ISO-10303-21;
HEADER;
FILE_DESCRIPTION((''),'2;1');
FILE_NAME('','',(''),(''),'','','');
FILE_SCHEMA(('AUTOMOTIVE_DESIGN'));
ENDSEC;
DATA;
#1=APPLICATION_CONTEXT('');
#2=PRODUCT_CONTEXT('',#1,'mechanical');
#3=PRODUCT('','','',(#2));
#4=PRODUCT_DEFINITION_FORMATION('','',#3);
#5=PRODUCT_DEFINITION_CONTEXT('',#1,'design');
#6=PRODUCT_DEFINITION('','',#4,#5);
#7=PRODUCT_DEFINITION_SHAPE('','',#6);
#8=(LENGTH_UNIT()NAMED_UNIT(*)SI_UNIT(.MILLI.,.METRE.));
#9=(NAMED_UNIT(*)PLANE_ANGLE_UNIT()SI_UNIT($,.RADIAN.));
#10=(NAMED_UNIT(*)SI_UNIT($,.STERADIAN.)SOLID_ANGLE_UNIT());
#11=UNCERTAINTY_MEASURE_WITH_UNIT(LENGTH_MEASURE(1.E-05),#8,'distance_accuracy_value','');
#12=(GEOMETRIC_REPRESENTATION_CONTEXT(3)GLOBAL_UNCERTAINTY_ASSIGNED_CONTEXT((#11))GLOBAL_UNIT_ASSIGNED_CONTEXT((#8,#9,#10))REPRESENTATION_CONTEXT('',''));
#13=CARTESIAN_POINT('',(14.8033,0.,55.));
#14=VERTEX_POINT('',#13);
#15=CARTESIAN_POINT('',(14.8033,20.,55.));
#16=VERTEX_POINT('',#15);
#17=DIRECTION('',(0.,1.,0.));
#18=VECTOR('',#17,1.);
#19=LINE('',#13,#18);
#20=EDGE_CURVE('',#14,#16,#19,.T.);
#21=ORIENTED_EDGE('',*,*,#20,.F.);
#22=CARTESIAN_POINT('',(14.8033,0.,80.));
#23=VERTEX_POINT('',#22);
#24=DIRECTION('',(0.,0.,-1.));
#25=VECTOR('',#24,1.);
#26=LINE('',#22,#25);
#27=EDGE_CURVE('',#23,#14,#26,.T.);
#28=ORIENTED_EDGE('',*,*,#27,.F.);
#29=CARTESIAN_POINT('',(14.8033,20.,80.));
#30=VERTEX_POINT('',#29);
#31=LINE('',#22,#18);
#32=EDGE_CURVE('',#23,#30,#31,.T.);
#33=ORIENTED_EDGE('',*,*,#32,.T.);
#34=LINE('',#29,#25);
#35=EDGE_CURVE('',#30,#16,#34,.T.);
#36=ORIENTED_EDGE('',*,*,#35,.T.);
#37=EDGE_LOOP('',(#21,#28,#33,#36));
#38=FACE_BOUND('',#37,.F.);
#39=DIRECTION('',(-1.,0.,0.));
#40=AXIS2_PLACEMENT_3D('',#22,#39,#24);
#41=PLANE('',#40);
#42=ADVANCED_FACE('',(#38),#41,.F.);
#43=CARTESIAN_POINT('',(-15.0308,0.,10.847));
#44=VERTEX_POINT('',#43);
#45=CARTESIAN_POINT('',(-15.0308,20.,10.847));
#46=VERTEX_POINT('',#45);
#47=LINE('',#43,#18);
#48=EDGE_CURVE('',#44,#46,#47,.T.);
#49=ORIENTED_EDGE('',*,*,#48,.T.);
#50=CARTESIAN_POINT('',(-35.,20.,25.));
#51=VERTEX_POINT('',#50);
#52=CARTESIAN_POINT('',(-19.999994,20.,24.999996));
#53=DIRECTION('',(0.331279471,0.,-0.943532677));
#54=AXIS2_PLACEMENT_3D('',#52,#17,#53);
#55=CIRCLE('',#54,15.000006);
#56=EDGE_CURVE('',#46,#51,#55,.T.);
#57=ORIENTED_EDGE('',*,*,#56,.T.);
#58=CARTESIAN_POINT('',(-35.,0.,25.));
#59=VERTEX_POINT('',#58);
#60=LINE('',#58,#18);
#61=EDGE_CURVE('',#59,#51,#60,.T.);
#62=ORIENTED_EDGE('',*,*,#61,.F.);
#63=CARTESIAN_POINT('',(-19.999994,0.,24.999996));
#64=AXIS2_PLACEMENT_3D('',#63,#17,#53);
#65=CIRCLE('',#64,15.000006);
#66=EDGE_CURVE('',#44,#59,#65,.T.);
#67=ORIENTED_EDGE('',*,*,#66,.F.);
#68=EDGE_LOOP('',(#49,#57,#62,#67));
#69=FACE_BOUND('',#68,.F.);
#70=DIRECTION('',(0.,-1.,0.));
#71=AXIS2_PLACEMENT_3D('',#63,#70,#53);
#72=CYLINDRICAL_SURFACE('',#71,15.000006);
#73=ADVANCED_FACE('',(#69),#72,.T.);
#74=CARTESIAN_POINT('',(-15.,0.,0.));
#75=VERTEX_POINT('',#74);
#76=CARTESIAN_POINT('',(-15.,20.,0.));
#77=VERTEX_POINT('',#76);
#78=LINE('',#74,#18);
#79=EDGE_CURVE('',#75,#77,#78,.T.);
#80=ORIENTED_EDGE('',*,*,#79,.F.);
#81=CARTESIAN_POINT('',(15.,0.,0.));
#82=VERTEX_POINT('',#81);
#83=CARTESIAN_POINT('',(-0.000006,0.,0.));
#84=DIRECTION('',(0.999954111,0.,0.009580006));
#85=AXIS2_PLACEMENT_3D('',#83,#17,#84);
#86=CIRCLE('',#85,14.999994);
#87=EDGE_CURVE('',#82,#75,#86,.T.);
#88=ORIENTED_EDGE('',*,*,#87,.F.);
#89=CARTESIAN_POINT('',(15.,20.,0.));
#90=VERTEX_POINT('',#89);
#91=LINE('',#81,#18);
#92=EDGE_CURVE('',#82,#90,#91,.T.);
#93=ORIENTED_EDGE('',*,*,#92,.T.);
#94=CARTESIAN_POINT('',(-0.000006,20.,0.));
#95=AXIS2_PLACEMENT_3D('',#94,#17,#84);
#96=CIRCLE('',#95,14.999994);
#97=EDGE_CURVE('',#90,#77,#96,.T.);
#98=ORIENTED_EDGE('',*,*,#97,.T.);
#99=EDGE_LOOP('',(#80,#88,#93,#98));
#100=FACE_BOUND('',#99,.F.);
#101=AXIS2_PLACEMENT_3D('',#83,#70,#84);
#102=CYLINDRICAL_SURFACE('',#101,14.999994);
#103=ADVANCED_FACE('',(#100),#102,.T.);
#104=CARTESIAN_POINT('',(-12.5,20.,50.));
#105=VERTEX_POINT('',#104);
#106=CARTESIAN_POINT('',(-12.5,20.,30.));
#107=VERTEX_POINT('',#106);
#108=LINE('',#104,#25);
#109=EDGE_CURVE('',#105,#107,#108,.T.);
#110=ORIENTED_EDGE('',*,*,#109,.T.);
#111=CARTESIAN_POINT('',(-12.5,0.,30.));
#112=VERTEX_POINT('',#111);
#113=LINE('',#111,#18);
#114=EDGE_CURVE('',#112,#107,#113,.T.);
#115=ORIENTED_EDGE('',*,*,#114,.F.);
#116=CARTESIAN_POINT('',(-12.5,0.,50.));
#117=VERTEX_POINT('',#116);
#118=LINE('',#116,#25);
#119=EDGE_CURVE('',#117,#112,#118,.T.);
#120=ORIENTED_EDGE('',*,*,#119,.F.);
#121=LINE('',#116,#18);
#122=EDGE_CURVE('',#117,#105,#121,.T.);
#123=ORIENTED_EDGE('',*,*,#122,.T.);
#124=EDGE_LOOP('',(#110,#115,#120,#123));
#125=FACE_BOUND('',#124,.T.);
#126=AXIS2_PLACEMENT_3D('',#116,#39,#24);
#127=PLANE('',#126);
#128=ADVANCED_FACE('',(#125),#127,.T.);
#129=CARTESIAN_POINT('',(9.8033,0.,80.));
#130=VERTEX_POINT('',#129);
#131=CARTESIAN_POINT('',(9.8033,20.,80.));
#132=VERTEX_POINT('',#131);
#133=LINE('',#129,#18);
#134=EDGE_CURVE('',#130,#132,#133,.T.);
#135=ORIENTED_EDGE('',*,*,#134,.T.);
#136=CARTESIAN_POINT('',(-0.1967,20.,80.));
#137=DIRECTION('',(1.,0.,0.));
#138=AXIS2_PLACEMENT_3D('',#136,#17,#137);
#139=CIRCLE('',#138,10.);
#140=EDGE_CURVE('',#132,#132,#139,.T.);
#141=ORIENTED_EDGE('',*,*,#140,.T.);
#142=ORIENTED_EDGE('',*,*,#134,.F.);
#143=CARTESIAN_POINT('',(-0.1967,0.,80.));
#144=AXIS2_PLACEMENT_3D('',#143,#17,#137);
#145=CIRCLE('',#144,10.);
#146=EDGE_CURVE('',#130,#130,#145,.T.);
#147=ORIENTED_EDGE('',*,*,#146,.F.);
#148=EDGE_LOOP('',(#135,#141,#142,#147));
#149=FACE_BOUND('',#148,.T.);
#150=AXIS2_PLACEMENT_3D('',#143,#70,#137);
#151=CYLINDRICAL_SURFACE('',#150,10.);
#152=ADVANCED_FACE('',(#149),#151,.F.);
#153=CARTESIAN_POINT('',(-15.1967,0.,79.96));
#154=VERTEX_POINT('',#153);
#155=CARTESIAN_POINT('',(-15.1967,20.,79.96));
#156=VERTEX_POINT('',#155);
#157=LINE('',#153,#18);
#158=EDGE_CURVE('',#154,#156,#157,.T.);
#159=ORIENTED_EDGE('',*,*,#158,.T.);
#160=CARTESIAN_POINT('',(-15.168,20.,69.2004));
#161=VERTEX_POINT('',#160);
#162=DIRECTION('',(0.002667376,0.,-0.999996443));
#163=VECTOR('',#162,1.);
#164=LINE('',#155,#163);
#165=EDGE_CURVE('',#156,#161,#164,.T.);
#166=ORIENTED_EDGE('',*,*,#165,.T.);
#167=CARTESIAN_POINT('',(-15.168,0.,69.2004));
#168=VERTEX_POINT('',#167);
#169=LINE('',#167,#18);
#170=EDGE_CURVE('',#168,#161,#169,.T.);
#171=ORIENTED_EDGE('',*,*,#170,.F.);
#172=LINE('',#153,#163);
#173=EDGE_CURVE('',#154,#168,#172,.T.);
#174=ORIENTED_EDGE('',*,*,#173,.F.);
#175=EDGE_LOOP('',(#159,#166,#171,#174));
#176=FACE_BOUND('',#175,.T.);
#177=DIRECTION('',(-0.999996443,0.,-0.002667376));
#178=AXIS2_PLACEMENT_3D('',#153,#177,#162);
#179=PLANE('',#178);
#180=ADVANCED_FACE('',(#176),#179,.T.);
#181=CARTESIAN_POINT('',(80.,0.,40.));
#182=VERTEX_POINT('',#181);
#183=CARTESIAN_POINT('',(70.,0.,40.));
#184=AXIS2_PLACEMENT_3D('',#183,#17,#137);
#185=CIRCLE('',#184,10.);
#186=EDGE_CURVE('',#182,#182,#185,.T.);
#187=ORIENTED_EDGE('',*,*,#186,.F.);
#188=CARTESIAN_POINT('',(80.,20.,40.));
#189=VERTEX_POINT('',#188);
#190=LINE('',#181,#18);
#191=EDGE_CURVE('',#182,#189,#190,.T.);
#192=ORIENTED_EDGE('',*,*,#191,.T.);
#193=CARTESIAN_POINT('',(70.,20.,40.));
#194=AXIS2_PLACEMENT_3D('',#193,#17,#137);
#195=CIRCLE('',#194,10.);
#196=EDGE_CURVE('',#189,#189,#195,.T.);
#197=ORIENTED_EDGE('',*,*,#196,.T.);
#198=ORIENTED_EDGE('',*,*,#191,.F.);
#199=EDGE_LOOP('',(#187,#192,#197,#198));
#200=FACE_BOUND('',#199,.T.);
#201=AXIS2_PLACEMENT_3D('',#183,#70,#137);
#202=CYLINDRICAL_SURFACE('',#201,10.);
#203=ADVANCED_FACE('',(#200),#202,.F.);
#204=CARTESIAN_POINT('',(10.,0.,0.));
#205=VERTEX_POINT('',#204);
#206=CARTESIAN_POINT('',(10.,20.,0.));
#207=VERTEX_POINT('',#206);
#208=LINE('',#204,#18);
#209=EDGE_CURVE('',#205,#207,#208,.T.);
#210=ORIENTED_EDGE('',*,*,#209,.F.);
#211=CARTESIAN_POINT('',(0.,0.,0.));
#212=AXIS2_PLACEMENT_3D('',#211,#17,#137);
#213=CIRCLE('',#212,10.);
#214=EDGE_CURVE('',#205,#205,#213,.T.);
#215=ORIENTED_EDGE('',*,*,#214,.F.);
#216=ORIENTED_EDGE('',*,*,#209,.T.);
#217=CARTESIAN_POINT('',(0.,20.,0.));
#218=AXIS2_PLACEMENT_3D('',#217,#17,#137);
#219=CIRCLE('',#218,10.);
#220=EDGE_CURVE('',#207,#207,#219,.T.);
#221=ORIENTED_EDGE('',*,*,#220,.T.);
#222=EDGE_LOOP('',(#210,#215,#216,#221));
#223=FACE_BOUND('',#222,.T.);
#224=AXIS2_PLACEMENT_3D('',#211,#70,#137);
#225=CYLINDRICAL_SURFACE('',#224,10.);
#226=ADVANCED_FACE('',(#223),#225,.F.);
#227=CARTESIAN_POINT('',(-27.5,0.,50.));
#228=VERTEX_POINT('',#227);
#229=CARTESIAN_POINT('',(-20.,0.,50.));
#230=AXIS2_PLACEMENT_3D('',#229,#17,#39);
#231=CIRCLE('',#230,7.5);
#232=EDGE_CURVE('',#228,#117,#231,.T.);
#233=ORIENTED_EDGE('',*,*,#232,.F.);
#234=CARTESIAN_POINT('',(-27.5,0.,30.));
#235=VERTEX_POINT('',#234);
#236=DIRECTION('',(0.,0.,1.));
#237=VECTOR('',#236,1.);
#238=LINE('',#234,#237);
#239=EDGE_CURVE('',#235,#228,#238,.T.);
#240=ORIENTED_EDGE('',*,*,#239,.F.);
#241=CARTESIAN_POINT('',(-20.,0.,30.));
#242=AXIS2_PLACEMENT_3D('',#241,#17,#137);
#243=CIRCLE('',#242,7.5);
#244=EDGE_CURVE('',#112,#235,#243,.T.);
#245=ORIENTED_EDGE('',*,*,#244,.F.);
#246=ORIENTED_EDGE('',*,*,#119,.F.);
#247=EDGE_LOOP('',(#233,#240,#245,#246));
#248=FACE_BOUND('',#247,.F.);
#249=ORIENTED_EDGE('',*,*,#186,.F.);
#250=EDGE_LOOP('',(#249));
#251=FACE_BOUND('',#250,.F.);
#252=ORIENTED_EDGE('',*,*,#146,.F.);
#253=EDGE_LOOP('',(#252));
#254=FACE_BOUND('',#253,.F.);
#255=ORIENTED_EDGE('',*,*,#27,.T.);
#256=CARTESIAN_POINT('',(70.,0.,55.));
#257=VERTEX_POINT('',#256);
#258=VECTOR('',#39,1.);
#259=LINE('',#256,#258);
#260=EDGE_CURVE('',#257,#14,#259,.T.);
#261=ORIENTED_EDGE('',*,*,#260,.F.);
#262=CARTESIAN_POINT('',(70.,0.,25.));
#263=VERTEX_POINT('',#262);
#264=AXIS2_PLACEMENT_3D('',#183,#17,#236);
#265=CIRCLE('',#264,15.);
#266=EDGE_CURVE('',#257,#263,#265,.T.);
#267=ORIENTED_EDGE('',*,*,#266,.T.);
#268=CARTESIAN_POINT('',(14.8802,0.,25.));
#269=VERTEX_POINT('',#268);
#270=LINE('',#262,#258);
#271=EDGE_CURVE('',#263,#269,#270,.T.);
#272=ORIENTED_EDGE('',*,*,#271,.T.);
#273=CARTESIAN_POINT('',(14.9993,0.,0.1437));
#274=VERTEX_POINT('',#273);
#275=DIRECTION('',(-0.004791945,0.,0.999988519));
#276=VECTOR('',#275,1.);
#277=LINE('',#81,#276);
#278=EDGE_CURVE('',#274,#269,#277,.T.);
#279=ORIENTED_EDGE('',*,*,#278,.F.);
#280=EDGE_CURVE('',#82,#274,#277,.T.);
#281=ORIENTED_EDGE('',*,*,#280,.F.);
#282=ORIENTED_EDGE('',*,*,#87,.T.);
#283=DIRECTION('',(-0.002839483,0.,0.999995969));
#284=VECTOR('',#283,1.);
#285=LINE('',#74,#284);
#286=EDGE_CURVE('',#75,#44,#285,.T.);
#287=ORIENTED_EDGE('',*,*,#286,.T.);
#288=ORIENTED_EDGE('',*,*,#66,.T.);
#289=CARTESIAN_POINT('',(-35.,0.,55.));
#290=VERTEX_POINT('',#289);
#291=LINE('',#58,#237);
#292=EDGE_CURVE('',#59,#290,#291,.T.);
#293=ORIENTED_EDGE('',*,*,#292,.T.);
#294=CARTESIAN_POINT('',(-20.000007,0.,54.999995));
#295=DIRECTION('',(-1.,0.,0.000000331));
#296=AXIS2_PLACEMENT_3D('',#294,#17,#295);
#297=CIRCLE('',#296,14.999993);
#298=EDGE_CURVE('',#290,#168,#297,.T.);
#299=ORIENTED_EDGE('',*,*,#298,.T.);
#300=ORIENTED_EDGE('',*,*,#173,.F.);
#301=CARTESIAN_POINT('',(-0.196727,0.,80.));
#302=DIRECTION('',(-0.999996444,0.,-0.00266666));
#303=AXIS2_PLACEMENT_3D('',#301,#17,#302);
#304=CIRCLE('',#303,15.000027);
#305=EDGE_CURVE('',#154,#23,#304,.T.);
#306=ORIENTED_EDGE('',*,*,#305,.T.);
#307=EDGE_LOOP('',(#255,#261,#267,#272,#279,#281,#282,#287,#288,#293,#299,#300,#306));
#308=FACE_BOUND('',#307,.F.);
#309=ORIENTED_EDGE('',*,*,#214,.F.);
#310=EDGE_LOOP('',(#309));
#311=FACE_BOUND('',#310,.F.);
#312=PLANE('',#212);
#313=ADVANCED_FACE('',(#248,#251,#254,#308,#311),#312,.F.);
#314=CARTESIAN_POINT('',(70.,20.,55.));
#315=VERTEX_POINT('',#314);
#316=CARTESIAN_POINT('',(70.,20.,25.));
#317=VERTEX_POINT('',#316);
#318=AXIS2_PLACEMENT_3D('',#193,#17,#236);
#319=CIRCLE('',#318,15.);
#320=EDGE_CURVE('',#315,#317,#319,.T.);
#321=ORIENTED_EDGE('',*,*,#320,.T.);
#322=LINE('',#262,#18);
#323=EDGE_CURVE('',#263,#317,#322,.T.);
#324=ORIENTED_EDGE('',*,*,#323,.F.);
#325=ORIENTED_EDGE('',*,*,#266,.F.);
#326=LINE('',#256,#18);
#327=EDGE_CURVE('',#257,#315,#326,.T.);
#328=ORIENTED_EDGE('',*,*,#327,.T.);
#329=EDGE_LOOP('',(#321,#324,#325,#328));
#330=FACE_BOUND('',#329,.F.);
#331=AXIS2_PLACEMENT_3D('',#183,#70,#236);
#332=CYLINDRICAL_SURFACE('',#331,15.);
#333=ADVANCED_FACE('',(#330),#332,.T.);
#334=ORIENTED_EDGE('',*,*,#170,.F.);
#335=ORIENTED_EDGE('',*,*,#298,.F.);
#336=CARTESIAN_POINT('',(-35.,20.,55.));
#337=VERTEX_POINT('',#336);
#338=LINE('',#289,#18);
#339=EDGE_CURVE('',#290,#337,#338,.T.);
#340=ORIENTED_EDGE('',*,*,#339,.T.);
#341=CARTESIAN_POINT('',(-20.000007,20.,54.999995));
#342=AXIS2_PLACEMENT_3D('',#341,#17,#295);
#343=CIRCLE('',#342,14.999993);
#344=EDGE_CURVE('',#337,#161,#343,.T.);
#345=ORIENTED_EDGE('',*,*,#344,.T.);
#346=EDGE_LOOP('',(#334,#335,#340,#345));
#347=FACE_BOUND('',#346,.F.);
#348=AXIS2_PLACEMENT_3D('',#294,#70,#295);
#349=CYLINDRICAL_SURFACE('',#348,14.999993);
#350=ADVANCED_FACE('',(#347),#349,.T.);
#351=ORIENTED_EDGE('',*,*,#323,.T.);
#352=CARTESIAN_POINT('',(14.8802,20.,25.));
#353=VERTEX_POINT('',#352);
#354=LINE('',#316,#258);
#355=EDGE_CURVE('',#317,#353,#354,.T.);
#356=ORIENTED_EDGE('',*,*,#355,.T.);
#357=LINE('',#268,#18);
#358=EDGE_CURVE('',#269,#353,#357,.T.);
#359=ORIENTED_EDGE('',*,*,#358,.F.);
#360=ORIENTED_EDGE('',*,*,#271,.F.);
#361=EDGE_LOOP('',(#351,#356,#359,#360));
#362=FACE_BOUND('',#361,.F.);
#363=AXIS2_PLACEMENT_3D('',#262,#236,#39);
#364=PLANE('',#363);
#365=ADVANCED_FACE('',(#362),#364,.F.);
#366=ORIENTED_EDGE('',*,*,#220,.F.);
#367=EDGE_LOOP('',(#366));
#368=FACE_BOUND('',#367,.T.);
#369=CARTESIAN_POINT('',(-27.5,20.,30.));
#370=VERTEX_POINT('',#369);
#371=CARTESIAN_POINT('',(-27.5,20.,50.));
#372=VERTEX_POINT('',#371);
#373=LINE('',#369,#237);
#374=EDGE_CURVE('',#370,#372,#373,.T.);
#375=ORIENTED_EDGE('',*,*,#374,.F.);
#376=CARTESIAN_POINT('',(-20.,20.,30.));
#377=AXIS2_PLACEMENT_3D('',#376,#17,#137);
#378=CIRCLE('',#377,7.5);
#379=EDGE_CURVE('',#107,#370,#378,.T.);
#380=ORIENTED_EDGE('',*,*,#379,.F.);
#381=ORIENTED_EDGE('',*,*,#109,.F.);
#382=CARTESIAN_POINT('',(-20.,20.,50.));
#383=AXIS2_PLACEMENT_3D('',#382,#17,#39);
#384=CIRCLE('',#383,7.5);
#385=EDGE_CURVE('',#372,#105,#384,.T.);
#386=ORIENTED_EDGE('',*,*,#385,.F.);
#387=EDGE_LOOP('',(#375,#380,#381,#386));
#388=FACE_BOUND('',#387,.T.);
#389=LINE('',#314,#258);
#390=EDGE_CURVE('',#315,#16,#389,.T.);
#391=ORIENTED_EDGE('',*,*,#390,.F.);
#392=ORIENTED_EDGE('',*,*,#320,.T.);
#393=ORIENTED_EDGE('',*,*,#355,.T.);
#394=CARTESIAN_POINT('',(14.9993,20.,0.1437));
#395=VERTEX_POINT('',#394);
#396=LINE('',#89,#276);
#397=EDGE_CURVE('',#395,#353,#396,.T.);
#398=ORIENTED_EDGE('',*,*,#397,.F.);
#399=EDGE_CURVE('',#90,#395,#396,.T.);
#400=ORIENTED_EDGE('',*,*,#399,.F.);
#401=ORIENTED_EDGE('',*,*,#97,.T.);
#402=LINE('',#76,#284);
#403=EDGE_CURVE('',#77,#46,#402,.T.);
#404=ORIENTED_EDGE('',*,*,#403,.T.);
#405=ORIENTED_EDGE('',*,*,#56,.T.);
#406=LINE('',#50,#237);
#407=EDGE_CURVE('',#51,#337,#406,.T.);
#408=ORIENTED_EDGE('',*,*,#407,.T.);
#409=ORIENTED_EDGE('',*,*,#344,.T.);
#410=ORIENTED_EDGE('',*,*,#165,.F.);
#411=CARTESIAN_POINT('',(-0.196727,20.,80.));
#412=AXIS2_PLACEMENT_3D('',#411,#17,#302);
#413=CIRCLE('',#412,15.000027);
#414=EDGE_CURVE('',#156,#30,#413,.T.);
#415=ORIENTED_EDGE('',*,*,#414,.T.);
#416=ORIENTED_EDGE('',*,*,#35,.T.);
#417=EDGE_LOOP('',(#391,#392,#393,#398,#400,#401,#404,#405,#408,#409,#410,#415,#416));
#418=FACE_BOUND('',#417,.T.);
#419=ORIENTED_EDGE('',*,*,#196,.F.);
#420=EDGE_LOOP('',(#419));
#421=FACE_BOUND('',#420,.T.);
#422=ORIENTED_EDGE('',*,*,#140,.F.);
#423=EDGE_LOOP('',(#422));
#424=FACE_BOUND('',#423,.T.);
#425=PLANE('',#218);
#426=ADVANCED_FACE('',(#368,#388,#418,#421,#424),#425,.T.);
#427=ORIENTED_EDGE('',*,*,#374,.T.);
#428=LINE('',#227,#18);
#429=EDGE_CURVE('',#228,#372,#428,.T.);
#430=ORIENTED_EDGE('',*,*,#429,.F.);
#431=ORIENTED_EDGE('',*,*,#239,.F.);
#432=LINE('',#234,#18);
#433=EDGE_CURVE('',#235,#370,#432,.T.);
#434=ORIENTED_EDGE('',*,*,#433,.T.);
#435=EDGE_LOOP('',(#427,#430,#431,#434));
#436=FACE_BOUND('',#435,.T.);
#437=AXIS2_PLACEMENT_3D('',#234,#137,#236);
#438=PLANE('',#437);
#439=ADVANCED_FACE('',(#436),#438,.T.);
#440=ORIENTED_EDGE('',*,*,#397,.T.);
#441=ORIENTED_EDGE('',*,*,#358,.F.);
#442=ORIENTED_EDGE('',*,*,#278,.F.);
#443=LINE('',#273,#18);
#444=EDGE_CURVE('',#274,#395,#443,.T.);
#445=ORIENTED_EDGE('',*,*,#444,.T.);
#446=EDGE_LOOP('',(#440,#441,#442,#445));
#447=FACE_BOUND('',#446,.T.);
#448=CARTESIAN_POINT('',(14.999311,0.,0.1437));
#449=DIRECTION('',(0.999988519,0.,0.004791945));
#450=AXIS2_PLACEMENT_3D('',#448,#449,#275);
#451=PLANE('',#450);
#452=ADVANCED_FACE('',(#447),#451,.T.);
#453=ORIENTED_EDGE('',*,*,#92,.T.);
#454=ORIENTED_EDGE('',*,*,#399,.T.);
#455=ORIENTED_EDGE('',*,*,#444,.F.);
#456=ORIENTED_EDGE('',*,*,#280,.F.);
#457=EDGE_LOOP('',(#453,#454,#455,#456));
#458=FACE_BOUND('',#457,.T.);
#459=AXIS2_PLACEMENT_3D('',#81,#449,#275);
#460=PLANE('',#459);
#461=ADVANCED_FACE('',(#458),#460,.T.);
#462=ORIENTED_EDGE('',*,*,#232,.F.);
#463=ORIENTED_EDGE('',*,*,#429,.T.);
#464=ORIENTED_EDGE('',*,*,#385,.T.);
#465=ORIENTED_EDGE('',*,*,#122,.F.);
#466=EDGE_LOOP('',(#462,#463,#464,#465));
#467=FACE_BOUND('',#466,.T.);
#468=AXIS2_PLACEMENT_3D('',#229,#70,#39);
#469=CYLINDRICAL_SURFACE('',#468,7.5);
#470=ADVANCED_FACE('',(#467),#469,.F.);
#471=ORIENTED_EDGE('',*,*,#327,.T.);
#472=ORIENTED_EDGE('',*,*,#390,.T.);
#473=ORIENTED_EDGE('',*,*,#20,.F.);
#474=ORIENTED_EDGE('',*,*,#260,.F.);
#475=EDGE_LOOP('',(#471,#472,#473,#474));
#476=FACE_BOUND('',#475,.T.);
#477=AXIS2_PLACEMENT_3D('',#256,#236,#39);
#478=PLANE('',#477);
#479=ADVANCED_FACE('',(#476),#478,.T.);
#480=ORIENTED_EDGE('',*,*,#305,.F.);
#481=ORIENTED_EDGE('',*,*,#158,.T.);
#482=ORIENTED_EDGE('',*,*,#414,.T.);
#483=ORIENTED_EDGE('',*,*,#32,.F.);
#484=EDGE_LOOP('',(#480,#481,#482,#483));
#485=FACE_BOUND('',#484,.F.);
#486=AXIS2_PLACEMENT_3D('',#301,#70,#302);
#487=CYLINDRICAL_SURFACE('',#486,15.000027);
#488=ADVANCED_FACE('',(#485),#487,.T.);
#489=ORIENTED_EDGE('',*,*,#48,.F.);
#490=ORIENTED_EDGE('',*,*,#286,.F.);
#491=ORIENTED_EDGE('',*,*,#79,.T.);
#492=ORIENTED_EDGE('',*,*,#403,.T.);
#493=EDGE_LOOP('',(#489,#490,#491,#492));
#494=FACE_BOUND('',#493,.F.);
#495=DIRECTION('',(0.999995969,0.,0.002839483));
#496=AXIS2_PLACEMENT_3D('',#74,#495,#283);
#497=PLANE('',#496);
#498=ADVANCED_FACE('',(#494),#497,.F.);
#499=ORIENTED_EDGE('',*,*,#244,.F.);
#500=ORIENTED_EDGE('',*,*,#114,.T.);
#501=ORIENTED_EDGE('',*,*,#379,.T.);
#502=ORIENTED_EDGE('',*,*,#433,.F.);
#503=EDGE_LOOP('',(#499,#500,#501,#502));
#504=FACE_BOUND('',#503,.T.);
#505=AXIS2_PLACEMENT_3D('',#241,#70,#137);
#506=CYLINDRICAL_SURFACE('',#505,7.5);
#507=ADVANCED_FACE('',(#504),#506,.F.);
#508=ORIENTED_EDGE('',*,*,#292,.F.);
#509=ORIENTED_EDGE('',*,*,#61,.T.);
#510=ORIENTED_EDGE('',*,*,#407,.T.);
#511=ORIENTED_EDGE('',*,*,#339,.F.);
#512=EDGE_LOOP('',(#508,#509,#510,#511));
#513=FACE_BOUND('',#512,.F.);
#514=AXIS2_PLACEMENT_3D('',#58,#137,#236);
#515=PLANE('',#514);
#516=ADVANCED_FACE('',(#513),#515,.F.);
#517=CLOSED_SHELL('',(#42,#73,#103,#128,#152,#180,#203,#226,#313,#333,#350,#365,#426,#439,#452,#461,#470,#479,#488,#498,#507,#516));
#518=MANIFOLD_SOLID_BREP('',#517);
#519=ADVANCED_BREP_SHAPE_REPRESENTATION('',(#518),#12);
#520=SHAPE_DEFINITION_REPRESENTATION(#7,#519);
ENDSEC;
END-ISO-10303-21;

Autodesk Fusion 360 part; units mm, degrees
sketch "Sketch1" plane through (0, 0, 0) normal (0, 1, 0) x (1, 0, 0)
  circle A0 centre (-0.1967, -80) radius 10
  circle A1 centre (-0.1967, -80) radius 5
  circle A2 centre (0, 0) radius 5
  circle A3 centre (0, 0) radius 10
  circle A4 centre (70, -40) radius 10
  circle A5 centre (70, -40) radius 5
  line L0 (-27.5, -30) -> (-27.5, -50)
  arc A6 (-27.5, -50) -> (-12.5, -50) centre (-20, -50) ccw
  line L1 (-12.5, -50) -> (-12.5, -30)
  arc A7 (-12.5, -30) -> (-27.5, -30) centre (-20, -30) ccw
  line L2 (-20, -30) -> (-20, -50) construction
  line L3 (-35, -25) -> (-35, -55)
  arc A8 (-35, -55) -> (-15.168, -69.2004) centre (-20, -55) ccw
  arc A9 (-15.0308, -10.847) -> (-35, -25) centre (-20, -25) ccw
  line L4 (-20, -25) -> (-20, -55) construction
  line L5 (70, -25) -> (14.8802, -25)
  line L6 (70, -55) -> (14.8033, -55)
  line L7 (-15, 0) -> (-15.0308, -10.847)
  line L8 (15, 0) -> (14.8802, -25)
  line L9 (14.8033, -80) -> (14.8033, -55)
  arc A10 (14.9993, -0.1437) -> (-15, 0) centre (0, 0) ccw
  line L10 (-15.1967, -79.96) -> (-15.168, -69.2004)
  arc A11 (-15.1967, -79.96) -> (14.8033, -80) centre (-0.1967, -80) ccw
  arc A12 (70, -55) -> (70, -25) centre (70, -40) ccw
  point P0 (-20, -40)
  point P1 (-20, -40)
  dimension "d1" = 30
  dimension "d2" = 20
  dimension "d3" = 10
  dimension "d4" = 10
  dimension "d5" = 20
  dimension "d6" = 30
  dimension "d7" = 30
  dimension "d8" = 20
  dimension "d9" = 10
  dimension "d10" = 15
  dimension "d11" = 20
  dimension "d12" = 80
  dimension "d13" = 70
  dimension "d14" = 40
  dimension "d15" = 20
  dimension "d16" = 30
  dimension "d17" = 30
  dimension "d18" = 30
extrude "Extrude1" add sketch "Sketch1" along normal blind 20 contours L3 A8 A9 L5 L6 L7 L8 L9 A10 L10 A11 A12
